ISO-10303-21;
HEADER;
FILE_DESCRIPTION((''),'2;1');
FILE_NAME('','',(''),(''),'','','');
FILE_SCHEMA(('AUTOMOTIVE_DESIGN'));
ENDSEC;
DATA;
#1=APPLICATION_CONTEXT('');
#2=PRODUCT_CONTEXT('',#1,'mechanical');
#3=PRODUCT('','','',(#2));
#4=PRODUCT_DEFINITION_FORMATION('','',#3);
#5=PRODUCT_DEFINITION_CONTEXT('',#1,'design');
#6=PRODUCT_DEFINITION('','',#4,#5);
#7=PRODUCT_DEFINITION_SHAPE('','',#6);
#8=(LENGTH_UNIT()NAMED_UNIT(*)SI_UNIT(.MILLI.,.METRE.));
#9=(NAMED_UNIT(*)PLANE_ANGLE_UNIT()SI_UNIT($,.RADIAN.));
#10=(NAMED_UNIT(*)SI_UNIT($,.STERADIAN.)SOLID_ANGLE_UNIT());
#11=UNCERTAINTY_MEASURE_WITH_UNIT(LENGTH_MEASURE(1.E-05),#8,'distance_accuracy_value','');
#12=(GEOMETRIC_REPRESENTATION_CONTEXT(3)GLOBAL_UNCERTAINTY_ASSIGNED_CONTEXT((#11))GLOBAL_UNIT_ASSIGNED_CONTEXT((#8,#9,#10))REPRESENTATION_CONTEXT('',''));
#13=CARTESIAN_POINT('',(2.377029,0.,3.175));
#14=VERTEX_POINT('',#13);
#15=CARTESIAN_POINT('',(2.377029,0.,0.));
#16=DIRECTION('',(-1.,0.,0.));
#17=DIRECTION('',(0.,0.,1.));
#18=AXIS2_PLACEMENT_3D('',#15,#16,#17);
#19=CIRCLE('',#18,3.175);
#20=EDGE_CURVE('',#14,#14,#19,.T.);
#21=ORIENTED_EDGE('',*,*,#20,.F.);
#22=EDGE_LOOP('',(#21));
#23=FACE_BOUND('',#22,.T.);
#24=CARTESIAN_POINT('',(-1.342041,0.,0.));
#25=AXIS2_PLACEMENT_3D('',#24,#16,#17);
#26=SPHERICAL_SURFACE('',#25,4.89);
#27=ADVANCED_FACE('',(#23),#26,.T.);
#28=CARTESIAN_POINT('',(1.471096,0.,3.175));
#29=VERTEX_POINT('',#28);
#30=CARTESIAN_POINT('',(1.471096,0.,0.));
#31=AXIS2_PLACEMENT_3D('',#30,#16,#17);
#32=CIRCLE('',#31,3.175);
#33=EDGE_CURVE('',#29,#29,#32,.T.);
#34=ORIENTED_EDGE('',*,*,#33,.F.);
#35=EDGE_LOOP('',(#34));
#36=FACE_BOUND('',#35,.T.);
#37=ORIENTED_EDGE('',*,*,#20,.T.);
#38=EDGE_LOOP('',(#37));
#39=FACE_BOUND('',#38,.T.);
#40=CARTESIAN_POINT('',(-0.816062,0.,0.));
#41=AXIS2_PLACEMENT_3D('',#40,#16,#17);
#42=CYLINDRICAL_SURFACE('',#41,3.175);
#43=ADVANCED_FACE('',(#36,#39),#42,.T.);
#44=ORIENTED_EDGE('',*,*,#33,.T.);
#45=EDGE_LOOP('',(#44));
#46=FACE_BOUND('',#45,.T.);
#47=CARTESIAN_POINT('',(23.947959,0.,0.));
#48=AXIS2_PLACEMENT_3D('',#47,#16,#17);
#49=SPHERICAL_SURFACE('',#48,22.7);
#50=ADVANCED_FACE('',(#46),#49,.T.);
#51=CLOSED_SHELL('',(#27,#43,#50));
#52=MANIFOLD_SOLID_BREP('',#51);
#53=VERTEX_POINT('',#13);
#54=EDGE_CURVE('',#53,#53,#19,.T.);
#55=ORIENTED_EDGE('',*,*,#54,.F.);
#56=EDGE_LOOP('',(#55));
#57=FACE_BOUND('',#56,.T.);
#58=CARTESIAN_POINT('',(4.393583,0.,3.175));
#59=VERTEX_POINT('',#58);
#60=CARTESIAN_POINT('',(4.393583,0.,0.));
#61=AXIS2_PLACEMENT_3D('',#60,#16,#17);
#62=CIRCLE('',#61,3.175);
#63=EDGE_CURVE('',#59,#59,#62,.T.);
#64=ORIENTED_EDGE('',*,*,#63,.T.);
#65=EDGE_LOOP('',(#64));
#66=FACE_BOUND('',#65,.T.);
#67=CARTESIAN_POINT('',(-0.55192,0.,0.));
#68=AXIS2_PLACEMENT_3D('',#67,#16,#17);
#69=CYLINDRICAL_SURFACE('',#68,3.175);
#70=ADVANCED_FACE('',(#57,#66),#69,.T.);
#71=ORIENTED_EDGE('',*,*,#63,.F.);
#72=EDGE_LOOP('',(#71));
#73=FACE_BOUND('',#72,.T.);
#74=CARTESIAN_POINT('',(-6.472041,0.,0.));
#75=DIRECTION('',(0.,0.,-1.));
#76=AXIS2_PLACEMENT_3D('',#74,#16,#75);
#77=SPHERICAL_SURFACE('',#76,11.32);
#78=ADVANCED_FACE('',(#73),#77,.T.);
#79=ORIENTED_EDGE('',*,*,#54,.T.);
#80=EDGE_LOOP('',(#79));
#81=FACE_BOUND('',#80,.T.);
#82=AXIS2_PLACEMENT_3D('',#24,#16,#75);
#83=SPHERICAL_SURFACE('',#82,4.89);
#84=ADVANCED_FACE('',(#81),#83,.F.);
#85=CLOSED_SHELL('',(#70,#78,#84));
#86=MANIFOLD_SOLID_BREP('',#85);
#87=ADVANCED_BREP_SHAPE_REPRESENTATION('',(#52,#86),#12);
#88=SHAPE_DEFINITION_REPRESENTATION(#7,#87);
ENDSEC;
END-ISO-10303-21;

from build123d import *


with BuildPart() as part:
    # 草图1 one side → 旋转1 (revolve)
    with BuildSketch(Plane(origin=(0, 0, 0), x_dir=(1, 0, 0), z_dir=(0, 1, 0)), mode=Mode.PRIVATE) as revolve_1_sk:
        with BuildLine():
            ThreePointArc((1.47109638, 3.175), (1.303812421, 1.591415649), (1.247959484, 0))
            Line((1.247959484, 0), (3.547959484, 0))
            ThreePointArc((3.547959484, 0), (3.245897361, 1.692018333), (2.377028588, 3.175))
            Line((2.377028588, 3.175), (1.47109638, 3.175))
        make_face()
    revolve(revolve_1_sk.sketch.rotate(Axis((-0.816062176, 0, 0), (1, 0, 0)), 180), axis=Axis((-0.816062176, 0, 0), (1, 0, 0)))  # turned: the seam where the file's is


with BuildPart() as body_2:
    # 草图2 one side → 旋转2 (revolve)
    with BuildSketch(Plane(origin=(0, 0, 0), x_dir=(1, 0, 0), z_dir=(0, 1, 0)), mode=Mode.PRIVATE) as revolve_2_sk:
        with BuildLine():
            Line((4.393583028, 3.175), (2.377028588, 3.175))
            ThreePointArc((2.377028588, 3.175), (3.245897361, 1.692018333), (3.547959484, 0))
            Line((3.547959484, 0), (4.847959484, 0))
            ThreePointArc((4.847959484, 0), (4.73378963, 1.603674138), (4.393583028, 3.175))
        make_face()
    revolve(revolve_2_sk.sketch.rotate(Axis((-0.551919993, 0, 0), (1, 0, 0)), 180), axis=Axis((-0.551919993, 0, 0), (1, 0, 0)))  # turned: the seam where the file's is


solid = Compound([part.part, body_2.part])
